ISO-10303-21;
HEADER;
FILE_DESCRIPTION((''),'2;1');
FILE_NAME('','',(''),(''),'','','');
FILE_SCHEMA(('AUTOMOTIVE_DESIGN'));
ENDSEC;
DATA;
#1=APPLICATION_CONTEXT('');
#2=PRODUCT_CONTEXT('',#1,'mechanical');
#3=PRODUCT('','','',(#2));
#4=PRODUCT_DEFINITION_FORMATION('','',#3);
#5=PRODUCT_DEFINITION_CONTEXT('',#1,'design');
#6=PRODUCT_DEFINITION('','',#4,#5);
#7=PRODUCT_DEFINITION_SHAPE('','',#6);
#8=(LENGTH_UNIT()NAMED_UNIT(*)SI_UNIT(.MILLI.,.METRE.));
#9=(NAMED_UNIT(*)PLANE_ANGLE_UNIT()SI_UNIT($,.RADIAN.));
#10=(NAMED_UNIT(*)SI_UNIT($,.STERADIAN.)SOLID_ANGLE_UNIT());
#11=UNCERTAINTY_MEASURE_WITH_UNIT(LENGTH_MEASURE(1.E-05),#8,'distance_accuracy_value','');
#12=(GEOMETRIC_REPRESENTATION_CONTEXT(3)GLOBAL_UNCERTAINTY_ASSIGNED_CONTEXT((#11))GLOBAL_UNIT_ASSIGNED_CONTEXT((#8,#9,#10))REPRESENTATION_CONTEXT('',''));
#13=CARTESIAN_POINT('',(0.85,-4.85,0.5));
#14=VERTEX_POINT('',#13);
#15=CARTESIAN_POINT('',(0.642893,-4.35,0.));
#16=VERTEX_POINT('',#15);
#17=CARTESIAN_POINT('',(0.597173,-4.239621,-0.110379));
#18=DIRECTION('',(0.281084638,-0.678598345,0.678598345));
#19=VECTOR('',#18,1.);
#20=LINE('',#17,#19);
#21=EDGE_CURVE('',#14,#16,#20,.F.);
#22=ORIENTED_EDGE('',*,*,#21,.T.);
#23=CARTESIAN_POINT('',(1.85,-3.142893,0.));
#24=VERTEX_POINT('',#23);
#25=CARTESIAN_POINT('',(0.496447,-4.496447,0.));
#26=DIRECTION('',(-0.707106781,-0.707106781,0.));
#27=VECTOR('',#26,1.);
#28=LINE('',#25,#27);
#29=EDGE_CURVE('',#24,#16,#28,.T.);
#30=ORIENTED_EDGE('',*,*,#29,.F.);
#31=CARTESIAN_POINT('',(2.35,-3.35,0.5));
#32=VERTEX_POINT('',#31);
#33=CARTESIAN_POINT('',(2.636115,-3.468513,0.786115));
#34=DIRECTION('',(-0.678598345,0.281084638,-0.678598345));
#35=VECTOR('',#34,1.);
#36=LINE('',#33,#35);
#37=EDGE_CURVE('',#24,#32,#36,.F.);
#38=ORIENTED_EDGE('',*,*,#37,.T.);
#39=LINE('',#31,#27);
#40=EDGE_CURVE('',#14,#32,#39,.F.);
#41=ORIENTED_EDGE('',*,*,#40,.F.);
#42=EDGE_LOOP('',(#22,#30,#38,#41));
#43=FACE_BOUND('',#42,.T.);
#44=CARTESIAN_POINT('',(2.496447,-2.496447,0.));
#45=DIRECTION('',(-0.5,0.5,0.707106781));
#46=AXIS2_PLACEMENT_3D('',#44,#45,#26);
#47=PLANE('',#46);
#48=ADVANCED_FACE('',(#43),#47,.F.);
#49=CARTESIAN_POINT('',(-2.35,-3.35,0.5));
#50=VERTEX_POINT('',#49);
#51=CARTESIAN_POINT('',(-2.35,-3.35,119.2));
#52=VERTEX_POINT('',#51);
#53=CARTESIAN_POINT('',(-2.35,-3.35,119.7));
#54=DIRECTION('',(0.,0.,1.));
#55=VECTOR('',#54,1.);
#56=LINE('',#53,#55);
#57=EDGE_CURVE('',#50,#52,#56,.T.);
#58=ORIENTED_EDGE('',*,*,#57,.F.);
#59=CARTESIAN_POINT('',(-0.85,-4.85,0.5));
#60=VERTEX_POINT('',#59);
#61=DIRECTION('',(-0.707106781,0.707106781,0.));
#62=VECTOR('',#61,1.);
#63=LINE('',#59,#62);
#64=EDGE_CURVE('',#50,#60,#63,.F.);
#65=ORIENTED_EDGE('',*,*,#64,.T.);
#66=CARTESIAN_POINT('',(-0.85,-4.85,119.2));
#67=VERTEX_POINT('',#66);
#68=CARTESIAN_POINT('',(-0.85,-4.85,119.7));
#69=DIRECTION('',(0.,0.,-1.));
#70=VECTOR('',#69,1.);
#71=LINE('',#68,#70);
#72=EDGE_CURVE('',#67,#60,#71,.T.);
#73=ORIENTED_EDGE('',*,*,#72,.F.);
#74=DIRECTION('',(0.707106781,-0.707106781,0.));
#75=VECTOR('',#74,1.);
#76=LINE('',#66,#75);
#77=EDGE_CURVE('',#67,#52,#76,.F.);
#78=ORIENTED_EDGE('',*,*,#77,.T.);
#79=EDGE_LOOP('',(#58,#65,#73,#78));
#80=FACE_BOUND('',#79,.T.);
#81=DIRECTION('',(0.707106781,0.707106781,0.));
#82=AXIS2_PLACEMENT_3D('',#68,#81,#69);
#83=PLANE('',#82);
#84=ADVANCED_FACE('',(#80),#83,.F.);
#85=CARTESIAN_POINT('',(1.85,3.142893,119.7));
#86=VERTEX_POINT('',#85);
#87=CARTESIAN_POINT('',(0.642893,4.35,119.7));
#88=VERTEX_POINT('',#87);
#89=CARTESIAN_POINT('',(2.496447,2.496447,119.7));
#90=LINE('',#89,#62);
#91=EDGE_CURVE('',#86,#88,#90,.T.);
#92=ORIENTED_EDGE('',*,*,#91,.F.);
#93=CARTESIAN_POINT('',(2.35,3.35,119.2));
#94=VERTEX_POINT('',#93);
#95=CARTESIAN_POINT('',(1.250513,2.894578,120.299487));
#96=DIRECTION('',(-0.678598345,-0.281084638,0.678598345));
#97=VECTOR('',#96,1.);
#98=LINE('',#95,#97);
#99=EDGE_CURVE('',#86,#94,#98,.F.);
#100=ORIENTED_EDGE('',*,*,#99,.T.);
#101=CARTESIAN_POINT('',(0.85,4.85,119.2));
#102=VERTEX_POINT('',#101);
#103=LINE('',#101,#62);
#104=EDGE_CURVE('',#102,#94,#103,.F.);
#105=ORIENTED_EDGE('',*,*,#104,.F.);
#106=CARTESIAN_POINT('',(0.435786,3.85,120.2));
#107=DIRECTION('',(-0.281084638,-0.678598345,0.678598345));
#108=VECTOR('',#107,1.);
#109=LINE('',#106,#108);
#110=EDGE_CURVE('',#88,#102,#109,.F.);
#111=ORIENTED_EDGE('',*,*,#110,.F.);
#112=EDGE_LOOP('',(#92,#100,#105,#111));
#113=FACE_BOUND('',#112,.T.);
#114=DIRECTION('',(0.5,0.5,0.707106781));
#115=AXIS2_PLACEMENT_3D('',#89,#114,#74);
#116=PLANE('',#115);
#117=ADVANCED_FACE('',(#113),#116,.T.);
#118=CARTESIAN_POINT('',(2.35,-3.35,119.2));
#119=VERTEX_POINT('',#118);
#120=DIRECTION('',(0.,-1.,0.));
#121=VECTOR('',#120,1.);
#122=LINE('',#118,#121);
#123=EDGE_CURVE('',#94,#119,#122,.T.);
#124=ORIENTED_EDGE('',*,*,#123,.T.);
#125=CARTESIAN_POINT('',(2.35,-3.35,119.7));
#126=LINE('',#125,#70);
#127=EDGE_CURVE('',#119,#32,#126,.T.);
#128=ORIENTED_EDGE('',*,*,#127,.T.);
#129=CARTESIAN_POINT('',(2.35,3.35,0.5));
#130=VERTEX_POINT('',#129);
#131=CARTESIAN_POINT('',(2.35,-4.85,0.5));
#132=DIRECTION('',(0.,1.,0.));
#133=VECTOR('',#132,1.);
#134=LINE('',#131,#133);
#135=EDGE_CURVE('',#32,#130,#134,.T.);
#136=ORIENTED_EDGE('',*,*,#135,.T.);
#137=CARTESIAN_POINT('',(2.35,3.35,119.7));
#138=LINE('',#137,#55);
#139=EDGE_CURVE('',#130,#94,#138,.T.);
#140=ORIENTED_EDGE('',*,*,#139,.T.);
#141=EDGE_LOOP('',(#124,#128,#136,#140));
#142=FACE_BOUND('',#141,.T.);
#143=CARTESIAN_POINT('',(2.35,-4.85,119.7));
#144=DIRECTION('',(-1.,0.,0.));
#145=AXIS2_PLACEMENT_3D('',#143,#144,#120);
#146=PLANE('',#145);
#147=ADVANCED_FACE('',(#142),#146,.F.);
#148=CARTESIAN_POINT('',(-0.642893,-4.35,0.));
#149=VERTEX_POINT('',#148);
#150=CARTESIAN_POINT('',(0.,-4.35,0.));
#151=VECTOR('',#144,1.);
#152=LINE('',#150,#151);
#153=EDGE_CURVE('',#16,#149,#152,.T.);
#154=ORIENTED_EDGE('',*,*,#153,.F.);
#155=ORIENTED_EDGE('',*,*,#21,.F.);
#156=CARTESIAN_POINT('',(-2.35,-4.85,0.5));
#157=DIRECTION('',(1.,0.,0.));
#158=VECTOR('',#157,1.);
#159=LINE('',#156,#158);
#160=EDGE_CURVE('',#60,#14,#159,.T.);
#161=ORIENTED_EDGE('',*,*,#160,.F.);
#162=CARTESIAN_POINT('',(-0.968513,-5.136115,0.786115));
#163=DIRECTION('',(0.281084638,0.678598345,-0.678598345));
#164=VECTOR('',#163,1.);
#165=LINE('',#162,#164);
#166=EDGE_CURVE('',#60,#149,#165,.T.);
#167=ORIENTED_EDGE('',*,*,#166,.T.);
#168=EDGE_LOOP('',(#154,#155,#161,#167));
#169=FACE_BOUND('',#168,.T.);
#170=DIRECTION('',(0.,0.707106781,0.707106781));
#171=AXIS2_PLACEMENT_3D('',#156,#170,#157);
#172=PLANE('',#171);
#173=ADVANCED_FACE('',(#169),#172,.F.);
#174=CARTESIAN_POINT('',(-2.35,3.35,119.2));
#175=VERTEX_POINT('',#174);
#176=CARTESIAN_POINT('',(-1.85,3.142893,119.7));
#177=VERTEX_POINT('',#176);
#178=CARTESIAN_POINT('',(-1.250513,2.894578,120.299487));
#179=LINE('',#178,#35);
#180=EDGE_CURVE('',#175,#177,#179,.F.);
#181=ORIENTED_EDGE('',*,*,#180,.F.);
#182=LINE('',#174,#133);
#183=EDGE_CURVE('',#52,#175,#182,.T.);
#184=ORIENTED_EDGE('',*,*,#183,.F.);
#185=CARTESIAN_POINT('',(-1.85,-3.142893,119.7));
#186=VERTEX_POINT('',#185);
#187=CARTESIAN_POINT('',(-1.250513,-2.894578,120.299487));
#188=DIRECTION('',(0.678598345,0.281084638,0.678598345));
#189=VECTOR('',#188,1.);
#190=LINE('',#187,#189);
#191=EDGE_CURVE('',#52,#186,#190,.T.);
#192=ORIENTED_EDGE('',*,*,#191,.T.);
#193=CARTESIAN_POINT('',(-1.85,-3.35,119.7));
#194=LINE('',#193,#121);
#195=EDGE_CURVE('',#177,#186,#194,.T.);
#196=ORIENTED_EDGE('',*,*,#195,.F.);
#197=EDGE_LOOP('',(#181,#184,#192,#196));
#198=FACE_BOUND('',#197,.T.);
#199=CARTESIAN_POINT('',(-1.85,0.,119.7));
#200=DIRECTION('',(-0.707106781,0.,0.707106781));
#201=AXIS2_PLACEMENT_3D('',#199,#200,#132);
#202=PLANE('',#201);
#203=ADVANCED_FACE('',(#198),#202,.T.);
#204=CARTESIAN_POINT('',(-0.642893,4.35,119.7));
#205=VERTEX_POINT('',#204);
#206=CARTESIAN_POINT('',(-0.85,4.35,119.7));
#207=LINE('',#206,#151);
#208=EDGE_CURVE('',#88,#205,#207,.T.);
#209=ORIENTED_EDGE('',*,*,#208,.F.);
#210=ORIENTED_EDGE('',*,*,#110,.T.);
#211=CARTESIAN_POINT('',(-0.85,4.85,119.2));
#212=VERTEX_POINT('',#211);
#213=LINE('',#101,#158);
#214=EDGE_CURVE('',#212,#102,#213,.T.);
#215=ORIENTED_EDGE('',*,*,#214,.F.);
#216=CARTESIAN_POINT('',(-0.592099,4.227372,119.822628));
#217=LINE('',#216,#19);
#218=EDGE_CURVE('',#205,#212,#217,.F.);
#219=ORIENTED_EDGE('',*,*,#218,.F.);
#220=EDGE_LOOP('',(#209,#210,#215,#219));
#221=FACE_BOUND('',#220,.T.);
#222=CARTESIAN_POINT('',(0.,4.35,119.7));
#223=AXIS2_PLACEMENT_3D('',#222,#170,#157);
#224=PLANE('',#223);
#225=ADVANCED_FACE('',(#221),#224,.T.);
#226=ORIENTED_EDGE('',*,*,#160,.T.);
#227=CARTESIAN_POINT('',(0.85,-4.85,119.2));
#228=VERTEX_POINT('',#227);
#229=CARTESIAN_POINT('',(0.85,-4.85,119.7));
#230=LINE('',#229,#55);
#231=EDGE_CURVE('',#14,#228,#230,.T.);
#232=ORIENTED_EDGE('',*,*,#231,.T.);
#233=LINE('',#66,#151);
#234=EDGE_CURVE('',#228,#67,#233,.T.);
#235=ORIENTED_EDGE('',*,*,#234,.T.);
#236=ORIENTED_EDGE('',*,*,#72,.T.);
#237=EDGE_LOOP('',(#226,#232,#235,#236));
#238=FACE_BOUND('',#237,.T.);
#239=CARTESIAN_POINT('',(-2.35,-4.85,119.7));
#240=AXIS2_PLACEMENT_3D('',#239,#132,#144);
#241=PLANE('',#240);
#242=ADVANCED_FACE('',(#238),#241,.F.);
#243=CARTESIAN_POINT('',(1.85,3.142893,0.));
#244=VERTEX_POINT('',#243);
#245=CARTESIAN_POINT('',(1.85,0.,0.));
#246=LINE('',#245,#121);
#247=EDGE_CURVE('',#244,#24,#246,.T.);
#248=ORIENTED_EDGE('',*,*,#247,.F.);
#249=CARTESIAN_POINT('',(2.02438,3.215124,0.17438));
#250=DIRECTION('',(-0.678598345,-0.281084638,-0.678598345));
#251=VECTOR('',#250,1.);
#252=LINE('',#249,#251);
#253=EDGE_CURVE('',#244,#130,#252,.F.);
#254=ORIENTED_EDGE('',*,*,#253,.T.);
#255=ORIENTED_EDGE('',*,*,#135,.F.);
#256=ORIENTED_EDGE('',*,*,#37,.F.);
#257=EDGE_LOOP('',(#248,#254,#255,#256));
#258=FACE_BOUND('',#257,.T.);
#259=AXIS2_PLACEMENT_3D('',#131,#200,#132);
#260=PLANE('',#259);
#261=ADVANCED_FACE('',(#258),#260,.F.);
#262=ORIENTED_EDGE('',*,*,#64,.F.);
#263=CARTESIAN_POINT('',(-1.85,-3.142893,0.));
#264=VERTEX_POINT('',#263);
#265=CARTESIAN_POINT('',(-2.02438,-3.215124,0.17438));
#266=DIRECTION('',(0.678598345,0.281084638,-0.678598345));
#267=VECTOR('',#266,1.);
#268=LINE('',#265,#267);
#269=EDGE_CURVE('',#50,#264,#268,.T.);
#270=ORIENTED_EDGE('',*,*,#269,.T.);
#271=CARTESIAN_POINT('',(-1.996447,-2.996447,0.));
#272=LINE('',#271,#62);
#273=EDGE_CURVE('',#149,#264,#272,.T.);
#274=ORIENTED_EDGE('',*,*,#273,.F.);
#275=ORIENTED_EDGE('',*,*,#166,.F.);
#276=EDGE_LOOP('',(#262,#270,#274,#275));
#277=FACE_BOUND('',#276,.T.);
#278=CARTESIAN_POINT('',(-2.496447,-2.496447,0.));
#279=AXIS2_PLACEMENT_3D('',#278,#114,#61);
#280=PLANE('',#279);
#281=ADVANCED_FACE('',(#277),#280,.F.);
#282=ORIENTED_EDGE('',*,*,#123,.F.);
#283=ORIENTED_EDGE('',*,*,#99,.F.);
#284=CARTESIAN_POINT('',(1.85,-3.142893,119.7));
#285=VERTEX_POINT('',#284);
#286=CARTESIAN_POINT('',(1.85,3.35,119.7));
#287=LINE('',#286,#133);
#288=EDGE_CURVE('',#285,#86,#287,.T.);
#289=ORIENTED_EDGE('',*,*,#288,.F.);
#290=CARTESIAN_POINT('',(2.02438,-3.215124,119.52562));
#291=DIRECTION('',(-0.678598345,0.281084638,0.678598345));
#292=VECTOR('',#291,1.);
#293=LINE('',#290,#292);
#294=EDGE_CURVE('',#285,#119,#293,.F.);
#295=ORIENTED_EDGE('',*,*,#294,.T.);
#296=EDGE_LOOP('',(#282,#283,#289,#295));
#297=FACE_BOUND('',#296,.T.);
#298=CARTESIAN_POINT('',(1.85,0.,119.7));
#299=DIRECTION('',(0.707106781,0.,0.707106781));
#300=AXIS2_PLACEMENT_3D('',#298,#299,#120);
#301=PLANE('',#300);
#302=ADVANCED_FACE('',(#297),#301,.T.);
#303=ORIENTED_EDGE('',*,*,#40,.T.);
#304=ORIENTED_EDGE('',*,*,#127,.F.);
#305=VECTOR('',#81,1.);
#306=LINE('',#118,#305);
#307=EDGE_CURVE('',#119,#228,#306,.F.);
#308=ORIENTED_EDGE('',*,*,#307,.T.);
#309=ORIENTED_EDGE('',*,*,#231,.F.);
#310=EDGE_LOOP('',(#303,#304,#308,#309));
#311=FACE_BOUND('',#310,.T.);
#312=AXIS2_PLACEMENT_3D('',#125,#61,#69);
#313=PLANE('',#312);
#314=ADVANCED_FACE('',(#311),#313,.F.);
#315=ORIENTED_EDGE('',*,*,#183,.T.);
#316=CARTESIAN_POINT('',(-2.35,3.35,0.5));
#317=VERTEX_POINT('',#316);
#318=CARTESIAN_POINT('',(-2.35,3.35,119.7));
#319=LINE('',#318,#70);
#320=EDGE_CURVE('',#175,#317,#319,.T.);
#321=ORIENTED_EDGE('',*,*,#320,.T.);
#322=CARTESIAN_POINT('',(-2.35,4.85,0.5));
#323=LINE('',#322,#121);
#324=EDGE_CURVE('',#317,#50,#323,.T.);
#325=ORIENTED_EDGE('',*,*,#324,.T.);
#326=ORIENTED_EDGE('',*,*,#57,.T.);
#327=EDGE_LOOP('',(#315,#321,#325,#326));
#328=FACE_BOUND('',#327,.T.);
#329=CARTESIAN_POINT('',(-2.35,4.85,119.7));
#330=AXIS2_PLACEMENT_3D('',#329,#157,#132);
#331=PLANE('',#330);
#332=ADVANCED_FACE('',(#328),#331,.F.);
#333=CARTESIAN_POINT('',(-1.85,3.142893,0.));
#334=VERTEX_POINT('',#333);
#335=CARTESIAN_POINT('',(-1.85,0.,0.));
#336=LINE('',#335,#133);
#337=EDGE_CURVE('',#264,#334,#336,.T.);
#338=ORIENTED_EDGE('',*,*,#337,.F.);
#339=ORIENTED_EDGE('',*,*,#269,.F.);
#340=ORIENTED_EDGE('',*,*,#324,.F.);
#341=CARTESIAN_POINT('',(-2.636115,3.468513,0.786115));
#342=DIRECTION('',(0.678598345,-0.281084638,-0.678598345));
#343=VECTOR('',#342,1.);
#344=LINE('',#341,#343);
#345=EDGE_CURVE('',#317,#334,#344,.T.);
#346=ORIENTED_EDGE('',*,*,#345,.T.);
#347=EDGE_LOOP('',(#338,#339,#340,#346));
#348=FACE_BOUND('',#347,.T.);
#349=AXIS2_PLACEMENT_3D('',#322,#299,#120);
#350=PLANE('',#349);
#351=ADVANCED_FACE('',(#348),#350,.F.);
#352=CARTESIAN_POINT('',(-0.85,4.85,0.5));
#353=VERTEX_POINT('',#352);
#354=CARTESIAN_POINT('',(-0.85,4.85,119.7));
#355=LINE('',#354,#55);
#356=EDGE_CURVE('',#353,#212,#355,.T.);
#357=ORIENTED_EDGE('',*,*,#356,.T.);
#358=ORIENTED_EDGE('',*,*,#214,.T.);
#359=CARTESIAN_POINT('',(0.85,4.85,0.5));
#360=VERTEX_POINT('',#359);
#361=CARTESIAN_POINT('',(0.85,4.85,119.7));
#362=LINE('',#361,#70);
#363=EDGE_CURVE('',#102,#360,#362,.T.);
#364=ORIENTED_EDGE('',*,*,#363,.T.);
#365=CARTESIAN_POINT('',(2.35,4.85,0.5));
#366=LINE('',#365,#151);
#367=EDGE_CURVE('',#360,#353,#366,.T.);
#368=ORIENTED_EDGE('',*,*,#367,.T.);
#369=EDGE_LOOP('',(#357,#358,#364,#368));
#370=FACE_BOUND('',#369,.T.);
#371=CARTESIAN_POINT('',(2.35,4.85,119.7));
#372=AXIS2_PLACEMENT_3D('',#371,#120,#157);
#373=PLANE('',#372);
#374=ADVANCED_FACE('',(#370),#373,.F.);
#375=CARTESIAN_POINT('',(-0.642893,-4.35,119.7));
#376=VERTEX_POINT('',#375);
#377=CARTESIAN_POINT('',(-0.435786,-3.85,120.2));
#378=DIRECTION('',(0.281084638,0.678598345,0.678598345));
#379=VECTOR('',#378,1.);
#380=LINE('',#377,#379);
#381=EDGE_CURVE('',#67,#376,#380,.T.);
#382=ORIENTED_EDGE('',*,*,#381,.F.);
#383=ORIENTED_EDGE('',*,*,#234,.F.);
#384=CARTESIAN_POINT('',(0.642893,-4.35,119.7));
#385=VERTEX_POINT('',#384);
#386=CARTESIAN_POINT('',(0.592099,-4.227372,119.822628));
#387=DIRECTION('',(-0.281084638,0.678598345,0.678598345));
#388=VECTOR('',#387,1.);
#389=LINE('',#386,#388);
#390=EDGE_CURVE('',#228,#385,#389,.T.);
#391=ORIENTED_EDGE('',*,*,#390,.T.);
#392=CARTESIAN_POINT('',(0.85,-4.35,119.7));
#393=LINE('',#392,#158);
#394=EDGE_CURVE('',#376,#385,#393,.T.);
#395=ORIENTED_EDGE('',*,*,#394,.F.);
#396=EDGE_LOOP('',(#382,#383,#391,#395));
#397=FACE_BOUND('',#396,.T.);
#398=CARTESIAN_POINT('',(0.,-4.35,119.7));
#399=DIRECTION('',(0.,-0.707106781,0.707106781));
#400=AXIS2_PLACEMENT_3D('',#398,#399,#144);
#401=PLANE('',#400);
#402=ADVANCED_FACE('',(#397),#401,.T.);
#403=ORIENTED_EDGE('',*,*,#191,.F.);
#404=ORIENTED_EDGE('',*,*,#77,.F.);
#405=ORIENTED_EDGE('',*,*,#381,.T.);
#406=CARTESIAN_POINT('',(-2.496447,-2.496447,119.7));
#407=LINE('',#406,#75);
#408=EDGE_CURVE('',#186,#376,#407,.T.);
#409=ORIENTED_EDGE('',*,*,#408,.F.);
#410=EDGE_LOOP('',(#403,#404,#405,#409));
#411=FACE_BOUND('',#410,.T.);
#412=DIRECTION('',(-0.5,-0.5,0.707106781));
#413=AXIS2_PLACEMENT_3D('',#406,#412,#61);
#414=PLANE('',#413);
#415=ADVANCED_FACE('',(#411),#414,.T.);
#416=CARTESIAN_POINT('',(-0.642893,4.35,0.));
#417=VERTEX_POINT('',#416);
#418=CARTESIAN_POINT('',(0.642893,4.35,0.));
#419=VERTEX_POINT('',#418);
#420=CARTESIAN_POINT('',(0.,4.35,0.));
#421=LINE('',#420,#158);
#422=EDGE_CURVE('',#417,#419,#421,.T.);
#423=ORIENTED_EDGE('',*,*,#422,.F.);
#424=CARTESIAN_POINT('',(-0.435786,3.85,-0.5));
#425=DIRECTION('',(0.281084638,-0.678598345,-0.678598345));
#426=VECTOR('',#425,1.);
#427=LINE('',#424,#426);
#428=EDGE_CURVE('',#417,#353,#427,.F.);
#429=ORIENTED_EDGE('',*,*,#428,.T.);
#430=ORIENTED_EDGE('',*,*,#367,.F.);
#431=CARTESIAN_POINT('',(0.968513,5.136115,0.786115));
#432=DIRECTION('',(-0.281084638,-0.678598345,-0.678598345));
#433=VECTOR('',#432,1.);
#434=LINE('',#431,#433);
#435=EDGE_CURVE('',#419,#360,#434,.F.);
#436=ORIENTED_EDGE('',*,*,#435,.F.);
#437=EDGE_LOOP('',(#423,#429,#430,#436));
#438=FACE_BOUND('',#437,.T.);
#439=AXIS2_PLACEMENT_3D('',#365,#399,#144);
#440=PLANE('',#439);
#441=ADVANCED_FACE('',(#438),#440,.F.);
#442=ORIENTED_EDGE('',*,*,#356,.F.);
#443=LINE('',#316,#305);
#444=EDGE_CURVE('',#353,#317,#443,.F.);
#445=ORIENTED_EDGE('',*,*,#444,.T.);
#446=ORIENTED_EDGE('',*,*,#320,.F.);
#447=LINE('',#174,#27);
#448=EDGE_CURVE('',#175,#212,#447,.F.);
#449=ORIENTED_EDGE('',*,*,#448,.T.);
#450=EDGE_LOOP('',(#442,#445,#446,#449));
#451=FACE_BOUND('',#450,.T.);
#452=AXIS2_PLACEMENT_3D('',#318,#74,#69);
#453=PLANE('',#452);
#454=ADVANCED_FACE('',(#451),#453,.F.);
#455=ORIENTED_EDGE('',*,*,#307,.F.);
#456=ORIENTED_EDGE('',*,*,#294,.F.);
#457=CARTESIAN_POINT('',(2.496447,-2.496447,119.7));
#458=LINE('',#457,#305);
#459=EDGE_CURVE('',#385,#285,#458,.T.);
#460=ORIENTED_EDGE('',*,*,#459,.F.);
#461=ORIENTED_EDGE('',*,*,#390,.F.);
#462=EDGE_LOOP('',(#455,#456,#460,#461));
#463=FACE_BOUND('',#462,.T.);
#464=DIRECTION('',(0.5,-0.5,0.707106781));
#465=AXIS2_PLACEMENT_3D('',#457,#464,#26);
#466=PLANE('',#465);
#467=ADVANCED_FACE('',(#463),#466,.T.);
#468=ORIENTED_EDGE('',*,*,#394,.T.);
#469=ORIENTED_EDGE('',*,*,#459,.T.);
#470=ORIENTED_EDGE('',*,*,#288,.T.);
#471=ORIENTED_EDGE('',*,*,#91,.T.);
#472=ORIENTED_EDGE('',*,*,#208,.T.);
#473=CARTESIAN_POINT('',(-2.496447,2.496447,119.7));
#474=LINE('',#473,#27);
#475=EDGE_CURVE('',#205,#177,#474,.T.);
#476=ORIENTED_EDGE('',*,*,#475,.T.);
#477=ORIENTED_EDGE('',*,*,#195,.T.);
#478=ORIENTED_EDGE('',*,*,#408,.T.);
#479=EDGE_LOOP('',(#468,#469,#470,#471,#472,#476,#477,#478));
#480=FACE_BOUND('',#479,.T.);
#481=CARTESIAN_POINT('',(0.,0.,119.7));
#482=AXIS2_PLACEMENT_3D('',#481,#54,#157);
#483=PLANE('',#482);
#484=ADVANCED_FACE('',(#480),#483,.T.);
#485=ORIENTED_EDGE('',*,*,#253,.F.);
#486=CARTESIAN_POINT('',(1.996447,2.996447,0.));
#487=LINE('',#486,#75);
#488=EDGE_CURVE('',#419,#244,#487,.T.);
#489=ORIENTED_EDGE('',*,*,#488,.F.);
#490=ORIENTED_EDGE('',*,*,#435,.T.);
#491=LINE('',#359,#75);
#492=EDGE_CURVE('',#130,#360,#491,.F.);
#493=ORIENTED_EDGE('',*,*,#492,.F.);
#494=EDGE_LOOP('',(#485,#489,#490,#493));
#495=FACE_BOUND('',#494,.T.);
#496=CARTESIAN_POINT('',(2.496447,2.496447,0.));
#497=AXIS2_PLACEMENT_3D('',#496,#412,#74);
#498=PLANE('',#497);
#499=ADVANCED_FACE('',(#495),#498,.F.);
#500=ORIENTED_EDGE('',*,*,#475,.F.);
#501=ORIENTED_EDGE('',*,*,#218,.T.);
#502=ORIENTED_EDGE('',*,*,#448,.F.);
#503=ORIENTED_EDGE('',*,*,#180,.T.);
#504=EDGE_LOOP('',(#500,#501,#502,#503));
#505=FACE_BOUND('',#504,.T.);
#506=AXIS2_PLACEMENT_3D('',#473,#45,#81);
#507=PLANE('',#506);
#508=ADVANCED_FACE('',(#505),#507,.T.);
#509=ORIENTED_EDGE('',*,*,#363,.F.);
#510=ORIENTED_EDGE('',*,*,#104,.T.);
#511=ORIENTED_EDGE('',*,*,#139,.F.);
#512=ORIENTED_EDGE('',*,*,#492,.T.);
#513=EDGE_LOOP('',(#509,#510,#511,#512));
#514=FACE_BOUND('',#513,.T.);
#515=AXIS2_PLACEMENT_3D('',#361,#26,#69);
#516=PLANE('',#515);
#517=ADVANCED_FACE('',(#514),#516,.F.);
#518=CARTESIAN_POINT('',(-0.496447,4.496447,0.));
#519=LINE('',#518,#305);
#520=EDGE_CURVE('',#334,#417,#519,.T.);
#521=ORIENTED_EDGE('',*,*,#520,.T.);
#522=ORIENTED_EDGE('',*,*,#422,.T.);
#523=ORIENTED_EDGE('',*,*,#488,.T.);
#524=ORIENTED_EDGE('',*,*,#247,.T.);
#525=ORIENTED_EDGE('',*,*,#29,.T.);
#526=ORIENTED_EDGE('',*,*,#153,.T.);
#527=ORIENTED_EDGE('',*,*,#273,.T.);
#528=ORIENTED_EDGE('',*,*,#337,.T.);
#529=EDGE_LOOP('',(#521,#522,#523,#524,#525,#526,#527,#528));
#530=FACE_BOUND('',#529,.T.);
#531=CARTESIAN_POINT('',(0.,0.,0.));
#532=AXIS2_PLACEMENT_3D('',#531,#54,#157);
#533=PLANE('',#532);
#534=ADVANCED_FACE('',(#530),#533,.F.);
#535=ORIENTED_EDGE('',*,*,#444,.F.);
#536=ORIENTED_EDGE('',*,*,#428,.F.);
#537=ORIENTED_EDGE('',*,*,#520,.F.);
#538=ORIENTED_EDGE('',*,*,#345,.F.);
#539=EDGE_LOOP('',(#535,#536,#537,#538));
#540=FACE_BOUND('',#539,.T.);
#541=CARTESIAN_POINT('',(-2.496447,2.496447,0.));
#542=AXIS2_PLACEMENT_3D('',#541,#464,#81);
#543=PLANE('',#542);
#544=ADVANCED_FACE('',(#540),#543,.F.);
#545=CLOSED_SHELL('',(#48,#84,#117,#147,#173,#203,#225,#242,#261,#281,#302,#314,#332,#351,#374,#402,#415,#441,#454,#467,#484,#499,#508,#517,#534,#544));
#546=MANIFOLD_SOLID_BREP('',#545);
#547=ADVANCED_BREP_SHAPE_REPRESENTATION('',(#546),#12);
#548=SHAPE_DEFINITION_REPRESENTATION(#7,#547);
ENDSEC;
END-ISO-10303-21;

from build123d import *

# Parameters (mm, degrees)
ESBO_O2_W                = 4.7
ESBO_O2_H                = 9.7
RESSALTO_EXTRUS_O1_DEPTH = 119.7
CHANFRO1_SIZE            = 1.5
CHANFRO2_SIZE            = 0.5


with BuildPart() as part:
    # Esboço2 → Ressalto-extrusão1 (new body)
    with BuildSketch(Plane.XY):
        Rectangle(ESBO_O2_W, ESBO_O2_H)
    extrude(amount=RESSALTO_EXTRUS_O1_DEPTH)

    # Chanfro1
    chanfro1_edges = [part.edges().sort_by_distance(p)[0] for p in [
        (2.35, -4.85, 59.85),
        (-2.35, -4.85, 59.85),
        (-2.35, 4.85, 59.85),
        (2.35, 4.85, 59.85),
    ]]
    chamfer(chanfro1_edges, length=CHANFRO1_SIZE)

    # Chanfro2
    chanfro2_edges = [part.edges().sort_by_distance(p)[0] for p in [
        (0, -4.85, 0),
        (0, -4.85, 119.7),
        (2.35, 0, 0),
        (-2.35, 0, 0),
        (0, 4.85, 0),
        (1.6, 4.1, 0),
        (1.6, -4.1, 0),
        (-1.6, 4.1, 0),
        (-1.6, -4.1, 0),
        (-2.35, 0, 119.7),
        (2.35, 0, 119.7),
        (0, 4.85, 119.7),
        (1.6, 4.1, 119.7),
        (1.6, -4.1, 119.7),
        (-1.6, 4.1, 119.7),
        (-1.6, -4.1, 119.7),
    ]]
    chamfer(chanfro2_edges, length=CHANFRO2_SIZE)


solid = part.part
